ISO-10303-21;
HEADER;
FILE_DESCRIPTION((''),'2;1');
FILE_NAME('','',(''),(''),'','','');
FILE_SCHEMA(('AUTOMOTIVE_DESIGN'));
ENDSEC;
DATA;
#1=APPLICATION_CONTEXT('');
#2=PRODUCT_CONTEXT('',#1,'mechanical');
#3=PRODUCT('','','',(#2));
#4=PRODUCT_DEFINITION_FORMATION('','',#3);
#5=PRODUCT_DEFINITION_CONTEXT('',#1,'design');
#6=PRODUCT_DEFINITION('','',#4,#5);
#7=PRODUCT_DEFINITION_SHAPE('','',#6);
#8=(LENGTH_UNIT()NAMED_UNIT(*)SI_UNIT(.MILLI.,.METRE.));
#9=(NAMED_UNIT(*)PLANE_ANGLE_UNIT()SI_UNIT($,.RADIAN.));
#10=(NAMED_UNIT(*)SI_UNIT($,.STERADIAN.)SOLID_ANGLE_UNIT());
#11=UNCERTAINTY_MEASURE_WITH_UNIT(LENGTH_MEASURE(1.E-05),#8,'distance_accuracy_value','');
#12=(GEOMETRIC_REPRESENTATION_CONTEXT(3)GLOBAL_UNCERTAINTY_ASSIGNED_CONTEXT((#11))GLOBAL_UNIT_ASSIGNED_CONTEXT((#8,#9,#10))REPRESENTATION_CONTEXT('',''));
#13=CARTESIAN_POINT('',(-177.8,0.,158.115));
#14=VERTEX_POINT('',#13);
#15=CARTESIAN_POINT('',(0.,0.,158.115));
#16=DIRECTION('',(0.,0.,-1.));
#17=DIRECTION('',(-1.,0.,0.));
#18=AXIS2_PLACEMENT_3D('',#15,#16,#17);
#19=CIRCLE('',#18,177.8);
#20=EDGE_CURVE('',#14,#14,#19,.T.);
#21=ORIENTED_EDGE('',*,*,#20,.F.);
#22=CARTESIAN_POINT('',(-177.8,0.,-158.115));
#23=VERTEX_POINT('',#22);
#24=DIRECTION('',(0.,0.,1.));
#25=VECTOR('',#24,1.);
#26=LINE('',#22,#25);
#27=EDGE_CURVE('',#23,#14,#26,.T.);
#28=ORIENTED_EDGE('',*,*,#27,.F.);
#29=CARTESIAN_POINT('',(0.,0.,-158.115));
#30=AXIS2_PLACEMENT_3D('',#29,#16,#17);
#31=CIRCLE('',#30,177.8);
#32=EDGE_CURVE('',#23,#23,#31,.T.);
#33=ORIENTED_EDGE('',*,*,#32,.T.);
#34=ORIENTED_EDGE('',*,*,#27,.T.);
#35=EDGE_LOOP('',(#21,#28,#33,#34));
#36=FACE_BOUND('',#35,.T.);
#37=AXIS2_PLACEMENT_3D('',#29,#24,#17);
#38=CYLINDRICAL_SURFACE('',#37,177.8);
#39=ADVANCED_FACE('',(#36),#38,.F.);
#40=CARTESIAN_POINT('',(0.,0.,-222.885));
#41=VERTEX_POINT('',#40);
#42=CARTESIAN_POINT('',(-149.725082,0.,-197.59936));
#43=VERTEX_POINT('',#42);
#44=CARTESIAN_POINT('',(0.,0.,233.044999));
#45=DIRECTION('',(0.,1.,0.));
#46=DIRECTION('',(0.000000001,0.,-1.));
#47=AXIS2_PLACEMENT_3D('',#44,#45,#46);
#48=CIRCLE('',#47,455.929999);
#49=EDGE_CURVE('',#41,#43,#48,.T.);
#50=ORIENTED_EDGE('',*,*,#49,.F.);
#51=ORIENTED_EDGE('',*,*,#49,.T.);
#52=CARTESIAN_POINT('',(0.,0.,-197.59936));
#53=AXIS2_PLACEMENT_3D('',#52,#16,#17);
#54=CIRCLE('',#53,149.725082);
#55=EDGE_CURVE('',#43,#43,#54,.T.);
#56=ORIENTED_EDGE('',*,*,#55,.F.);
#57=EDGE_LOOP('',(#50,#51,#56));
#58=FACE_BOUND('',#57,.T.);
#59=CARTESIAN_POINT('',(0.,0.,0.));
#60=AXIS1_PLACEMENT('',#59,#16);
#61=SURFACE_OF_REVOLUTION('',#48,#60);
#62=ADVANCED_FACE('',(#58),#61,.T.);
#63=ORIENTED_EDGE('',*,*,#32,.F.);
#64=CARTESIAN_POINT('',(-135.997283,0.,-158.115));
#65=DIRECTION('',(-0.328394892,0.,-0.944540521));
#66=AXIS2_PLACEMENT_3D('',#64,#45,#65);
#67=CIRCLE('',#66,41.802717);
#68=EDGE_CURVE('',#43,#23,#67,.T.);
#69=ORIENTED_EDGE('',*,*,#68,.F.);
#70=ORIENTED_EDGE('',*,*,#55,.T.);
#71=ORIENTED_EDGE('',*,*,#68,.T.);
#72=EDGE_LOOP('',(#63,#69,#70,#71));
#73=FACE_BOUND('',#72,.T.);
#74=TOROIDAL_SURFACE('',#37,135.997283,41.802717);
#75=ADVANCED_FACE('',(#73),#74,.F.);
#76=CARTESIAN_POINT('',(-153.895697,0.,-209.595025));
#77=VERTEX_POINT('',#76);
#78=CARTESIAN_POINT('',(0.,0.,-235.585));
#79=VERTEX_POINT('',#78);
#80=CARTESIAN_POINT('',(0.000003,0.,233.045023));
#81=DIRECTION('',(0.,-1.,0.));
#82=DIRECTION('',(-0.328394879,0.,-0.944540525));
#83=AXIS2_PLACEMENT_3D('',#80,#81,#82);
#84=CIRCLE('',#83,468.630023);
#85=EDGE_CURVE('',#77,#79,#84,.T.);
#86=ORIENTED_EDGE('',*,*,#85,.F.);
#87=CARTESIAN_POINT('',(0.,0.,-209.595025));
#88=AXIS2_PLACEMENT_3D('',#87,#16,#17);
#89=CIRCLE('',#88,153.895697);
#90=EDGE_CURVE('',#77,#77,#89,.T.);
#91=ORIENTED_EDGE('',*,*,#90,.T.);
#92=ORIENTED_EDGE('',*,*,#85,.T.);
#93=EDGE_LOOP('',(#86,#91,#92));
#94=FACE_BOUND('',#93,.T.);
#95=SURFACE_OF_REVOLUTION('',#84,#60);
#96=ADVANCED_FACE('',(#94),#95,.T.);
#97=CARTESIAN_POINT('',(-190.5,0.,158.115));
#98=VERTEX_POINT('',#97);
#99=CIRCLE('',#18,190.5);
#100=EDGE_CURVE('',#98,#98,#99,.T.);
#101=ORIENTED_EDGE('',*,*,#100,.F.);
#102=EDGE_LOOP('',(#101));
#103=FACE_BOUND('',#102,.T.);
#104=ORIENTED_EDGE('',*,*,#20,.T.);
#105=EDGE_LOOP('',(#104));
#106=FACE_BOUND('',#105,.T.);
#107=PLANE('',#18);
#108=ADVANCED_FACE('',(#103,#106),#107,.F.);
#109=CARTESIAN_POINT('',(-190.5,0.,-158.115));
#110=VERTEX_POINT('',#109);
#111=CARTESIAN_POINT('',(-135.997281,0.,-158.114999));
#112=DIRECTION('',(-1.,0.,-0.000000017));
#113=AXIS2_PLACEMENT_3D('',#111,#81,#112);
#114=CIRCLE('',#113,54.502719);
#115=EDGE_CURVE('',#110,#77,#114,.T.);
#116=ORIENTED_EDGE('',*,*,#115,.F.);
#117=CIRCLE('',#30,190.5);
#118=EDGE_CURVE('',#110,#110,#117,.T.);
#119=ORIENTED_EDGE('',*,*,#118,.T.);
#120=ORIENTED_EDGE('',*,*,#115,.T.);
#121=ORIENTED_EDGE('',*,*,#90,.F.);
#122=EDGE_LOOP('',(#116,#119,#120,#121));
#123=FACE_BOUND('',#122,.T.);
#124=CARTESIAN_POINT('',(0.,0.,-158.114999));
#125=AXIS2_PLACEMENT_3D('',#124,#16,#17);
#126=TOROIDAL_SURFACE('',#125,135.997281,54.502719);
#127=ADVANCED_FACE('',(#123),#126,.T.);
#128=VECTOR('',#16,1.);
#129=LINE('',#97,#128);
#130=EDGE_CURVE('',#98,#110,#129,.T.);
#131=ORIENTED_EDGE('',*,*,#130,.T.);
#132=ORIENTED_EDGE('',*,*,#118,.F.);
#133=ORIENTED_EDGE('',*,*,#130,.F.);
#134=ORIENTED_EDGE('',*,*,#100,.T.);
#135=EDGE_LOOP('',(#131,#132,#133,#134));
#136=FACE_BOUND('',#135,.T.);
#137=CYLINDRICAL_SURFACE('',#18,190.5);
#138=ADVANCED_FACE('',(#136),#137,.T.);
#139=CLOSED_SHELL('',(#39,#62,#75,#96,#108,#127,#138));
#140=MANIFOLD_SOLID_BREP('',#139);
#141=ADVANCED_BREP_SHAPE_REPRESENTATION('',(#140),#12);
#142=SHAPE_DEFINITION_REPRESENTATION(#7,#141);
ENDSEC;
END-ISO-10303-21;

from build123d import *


with BuildPart() as f1:
    # F0 (on Front) → F1 (revolve)
    with BuildSketch(Plane.XZ):
        with BuildLine():
            Line((-177.8, 158.115), (-190.5, 158.115))
            Line((-190.5, 158.115), (-190.5, -158.115))
            ThreePointArc((-190.5, -158.115), (-180.416076, -189.698492), (-153.895697, -209.595025))
            ThreePointArc((-153.895697, -209.595025), (-78.037434, -229.041827), (0, -235.585))
            Line((0, -235.585), (0, -222.885))
            ThreePointArc((0, -222.885), (-75.922598, -216.519149), (-149.725082, -197.59936))
            ThreePointArc((-149.725082, -197.59936), (-170.065791, -182.339036), (-177.8, -158.115))
            Line((-177.8, -158.115), (-177.8, 158.115))
        make_face()
    revolve(axis=Axis((0, 0, 0), (0, 0, -1)))


solid = f1.part
